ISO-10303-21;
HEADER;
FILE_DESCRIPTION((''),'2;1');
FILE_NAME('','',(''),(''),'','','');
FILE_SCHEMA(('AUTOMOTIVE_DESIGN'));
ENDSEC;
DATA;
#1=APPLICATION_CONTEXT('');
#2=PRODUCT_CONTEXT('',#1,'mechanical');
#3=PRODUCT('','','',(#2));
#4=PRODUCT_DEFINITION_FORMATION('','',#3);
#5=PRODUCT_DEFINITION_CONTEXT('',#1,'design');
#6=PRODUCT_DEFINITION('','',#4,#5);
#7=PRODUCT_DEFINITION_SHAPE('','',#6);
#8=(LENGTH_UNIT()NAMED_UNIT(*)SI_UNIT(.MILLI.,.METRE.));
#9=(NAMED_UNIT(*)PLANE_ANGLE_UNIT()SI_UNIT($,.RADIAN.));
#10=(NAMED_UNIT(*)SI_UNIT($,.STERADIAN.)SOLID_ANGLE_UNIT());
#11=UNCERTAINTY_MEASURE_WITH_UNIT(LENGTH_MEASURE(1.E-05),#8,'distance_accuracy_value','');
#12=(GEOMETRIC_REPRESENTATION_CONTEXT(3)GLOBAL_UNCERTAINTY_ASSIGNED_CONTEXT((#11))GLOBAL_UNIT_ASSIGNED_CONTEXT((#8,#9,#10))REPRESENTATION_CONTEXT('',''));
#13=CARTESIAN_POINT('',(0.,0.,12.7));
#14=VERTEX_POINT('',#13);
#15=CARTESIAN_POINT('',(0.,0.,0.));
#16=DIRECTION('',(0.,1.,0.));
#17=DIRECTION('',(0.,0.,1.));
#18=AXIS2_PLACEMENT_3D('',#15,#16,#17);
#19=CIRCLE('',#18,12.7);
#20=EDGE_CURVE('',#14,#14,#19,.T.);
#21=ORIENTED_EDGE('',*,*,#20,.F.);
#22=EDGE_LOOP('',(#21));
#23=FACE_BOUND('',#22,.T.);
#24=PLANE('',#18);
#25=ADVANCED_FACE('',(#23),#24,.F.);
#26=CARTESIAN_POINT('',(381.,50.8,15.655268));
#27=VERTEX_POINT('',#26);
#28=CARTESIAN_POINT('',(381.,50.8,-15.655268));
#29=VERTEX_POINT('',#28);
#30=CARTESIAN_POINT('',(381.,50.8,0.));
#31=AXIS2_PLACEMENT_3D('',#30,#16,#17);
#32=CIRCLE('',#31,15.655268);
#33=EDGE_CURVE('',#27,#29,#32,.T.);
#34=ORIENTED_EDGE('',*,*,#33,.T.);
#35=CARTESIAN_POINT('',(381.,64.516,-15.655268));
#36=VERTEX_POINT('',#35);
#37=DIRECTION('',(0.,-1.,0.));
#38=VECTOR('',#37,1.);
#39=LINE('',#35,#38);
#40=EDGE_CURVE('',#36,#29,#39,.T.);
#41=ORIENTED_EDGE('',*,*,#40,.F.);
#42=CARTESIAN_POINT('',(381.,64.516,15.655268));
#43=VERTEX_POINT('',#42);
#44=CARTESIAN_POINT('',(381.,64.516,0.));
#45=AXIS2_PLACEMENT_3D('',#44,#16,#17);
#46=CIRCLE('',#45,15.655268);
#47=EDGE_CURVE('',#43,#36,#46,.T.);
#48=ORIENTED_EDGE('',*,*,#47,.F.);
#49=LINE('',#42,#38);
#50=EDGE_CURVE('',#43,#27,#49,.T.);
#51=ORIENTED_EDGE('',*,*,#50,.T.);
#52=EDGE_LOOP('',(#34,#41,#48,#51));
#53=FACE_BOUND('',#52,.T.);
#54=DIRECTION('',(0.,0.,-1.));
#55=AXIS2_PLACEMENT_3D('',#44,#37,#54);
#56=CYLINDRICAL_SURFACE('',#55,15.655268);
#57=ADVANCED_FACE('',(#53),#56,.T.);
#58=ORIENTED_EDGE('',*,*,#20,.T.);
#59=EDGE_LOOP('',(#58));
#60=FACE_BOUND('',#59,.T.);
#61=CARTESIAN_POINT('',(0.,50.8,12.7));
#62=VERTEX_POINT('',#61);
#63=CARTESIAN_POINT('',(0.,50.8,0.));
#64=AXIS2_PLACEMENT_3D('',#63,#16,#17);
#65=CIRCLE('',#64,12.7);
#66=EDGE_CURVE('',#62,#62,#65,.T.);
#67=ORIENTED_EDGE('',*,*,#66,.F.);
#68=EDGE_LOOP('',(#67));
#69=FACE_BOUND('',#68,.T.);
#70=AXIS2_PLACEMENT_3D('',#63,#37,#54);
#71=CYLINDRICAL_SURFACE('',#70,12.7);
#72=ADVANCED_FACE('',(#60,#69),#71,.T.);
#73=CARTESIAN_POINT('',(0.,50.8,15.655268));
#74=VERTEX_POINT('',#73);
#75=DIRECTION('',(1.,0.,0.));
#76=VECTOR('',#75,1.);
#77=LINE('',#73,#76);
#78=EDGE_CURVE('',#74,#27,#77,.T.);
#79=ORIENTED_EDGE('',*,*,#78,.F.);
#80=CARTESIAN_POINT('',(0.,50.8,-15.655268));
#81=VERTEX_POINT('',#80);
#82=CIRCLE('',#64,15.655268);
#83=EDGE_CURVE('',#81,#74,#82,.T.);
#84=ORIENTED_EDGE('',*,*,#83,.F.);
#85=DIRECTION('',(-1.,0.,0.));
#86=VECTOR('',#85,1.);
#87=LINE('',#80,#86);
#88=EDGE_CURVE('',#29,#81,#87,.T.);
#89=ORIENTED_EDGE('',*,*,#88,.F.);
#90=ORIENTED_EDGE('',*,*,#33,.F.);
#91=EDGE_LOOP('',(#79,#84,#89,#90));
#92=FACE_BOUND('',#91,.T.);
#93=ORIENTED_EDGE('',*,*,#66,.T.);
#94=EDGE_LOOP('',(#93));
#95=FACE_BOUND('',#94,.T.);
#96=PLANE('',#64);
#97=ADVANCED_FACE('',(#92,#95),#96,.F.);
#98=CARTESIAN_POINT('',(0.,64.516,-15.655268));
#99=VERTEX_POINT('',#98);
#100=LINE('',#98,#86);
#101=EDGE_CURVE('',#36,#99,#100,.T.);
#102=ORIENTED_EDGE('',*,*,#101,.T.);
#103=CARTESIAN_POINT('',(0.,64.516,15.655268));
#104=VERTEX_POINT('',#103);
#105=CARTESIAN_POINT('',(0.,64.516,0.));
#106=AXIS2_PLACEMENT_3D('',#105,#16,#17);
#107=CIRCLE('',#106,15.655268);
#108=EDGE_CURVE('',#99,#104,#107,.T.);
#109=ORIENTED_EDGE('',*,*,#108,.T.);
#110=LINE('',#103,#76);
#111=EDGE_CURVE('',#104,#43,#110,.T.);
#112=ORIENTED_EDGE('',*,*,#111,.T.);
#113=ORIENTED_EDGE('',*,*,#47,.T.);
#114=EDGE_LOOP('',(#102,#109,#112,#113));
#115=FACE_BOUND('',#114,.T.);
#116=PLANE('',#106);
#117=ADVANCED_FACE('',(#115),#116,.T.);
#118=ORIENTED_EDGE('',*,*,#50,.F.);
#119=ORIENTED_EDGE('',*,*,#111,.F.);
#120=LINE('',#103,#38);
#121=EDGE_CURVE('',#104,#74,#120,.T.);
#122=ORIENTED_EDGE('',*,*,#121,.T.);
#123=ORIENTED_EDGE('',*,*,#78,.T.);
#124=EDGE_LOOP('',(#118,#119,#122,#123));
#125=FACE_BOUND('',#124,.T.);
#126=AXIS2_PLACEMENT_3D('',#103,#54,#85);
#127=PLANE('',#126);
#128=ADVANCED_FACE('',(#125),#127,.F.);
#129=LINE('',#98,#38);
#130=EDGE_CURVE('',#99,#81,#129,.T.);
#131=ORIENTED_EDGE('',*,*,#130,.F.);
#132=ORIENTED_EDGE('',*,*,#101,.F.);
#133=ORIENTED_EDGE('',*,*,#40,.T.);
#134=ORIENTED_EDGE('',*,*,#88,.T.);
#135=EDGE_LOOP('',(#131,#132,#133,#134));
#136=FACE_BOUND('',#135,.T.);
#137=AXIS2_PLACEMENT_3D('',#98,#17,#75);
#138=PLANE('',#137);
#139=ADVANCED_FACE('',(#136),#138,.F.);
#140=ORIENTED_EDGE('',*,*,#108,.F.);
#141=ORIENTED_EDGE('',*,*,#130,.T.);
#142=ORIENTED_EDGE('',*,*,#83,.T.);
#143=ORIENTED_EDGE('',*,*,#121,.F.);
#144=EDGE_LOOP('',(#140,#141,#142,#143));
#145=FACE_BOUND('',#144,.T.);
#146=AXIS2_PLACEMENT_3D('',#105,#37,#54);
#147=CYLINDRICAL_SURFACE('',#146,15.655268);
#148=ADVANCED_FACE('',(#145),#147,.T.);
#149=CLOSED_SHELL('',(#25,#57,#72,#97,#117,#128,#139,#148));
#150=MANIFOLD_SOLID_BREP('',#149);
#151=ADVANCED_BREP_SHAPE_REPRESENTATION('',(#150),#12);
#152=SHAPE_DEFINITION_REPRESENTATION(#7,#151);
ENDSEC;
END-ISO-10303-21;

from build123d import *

# Parameters (mm, degrees)
SKETCH1_R           = 12.7
BOSS_EXTRUDE1_DEPTH = 50.8
BOSS_EXTRUDE2_DEPTH = 13.716


with BuildPart() as part:
    # Sketch1 → Boss-Extrude1 (new body)
    with BuildSketch(Plane(origin=(0, 0, 0), x_dir=(1, 0, 0), z_dir=(0, 1, 0))):
        Circle(SKETCH1_R)
    extrude(amount=BOSS_EXTRUDE1_DEPTH)

    # Sketch2 → Boss-Extrude2 (add)
    with BuildSketch(Plane(origin=(0, 50.8, 0), x_dir=(1, 0, 0), z_dir=(0, 1, 0))):
        with BuildLine():
            Line((0, 15.655268008), (381, 15.655268008))
            ThreePointArc((381, 15.655268008), (396.655268008, 0), (381, -15.655268008))
            Line((381, -15.655268008), (0, -15.655268008))
            ThreePointArc((0, -15.655268008), (-15.655268008, 0), (0, 15.655268008))
        make_face()
    extrude(amount=BOSS_EXTRUDE2_DEPTH)


solid = part.part
